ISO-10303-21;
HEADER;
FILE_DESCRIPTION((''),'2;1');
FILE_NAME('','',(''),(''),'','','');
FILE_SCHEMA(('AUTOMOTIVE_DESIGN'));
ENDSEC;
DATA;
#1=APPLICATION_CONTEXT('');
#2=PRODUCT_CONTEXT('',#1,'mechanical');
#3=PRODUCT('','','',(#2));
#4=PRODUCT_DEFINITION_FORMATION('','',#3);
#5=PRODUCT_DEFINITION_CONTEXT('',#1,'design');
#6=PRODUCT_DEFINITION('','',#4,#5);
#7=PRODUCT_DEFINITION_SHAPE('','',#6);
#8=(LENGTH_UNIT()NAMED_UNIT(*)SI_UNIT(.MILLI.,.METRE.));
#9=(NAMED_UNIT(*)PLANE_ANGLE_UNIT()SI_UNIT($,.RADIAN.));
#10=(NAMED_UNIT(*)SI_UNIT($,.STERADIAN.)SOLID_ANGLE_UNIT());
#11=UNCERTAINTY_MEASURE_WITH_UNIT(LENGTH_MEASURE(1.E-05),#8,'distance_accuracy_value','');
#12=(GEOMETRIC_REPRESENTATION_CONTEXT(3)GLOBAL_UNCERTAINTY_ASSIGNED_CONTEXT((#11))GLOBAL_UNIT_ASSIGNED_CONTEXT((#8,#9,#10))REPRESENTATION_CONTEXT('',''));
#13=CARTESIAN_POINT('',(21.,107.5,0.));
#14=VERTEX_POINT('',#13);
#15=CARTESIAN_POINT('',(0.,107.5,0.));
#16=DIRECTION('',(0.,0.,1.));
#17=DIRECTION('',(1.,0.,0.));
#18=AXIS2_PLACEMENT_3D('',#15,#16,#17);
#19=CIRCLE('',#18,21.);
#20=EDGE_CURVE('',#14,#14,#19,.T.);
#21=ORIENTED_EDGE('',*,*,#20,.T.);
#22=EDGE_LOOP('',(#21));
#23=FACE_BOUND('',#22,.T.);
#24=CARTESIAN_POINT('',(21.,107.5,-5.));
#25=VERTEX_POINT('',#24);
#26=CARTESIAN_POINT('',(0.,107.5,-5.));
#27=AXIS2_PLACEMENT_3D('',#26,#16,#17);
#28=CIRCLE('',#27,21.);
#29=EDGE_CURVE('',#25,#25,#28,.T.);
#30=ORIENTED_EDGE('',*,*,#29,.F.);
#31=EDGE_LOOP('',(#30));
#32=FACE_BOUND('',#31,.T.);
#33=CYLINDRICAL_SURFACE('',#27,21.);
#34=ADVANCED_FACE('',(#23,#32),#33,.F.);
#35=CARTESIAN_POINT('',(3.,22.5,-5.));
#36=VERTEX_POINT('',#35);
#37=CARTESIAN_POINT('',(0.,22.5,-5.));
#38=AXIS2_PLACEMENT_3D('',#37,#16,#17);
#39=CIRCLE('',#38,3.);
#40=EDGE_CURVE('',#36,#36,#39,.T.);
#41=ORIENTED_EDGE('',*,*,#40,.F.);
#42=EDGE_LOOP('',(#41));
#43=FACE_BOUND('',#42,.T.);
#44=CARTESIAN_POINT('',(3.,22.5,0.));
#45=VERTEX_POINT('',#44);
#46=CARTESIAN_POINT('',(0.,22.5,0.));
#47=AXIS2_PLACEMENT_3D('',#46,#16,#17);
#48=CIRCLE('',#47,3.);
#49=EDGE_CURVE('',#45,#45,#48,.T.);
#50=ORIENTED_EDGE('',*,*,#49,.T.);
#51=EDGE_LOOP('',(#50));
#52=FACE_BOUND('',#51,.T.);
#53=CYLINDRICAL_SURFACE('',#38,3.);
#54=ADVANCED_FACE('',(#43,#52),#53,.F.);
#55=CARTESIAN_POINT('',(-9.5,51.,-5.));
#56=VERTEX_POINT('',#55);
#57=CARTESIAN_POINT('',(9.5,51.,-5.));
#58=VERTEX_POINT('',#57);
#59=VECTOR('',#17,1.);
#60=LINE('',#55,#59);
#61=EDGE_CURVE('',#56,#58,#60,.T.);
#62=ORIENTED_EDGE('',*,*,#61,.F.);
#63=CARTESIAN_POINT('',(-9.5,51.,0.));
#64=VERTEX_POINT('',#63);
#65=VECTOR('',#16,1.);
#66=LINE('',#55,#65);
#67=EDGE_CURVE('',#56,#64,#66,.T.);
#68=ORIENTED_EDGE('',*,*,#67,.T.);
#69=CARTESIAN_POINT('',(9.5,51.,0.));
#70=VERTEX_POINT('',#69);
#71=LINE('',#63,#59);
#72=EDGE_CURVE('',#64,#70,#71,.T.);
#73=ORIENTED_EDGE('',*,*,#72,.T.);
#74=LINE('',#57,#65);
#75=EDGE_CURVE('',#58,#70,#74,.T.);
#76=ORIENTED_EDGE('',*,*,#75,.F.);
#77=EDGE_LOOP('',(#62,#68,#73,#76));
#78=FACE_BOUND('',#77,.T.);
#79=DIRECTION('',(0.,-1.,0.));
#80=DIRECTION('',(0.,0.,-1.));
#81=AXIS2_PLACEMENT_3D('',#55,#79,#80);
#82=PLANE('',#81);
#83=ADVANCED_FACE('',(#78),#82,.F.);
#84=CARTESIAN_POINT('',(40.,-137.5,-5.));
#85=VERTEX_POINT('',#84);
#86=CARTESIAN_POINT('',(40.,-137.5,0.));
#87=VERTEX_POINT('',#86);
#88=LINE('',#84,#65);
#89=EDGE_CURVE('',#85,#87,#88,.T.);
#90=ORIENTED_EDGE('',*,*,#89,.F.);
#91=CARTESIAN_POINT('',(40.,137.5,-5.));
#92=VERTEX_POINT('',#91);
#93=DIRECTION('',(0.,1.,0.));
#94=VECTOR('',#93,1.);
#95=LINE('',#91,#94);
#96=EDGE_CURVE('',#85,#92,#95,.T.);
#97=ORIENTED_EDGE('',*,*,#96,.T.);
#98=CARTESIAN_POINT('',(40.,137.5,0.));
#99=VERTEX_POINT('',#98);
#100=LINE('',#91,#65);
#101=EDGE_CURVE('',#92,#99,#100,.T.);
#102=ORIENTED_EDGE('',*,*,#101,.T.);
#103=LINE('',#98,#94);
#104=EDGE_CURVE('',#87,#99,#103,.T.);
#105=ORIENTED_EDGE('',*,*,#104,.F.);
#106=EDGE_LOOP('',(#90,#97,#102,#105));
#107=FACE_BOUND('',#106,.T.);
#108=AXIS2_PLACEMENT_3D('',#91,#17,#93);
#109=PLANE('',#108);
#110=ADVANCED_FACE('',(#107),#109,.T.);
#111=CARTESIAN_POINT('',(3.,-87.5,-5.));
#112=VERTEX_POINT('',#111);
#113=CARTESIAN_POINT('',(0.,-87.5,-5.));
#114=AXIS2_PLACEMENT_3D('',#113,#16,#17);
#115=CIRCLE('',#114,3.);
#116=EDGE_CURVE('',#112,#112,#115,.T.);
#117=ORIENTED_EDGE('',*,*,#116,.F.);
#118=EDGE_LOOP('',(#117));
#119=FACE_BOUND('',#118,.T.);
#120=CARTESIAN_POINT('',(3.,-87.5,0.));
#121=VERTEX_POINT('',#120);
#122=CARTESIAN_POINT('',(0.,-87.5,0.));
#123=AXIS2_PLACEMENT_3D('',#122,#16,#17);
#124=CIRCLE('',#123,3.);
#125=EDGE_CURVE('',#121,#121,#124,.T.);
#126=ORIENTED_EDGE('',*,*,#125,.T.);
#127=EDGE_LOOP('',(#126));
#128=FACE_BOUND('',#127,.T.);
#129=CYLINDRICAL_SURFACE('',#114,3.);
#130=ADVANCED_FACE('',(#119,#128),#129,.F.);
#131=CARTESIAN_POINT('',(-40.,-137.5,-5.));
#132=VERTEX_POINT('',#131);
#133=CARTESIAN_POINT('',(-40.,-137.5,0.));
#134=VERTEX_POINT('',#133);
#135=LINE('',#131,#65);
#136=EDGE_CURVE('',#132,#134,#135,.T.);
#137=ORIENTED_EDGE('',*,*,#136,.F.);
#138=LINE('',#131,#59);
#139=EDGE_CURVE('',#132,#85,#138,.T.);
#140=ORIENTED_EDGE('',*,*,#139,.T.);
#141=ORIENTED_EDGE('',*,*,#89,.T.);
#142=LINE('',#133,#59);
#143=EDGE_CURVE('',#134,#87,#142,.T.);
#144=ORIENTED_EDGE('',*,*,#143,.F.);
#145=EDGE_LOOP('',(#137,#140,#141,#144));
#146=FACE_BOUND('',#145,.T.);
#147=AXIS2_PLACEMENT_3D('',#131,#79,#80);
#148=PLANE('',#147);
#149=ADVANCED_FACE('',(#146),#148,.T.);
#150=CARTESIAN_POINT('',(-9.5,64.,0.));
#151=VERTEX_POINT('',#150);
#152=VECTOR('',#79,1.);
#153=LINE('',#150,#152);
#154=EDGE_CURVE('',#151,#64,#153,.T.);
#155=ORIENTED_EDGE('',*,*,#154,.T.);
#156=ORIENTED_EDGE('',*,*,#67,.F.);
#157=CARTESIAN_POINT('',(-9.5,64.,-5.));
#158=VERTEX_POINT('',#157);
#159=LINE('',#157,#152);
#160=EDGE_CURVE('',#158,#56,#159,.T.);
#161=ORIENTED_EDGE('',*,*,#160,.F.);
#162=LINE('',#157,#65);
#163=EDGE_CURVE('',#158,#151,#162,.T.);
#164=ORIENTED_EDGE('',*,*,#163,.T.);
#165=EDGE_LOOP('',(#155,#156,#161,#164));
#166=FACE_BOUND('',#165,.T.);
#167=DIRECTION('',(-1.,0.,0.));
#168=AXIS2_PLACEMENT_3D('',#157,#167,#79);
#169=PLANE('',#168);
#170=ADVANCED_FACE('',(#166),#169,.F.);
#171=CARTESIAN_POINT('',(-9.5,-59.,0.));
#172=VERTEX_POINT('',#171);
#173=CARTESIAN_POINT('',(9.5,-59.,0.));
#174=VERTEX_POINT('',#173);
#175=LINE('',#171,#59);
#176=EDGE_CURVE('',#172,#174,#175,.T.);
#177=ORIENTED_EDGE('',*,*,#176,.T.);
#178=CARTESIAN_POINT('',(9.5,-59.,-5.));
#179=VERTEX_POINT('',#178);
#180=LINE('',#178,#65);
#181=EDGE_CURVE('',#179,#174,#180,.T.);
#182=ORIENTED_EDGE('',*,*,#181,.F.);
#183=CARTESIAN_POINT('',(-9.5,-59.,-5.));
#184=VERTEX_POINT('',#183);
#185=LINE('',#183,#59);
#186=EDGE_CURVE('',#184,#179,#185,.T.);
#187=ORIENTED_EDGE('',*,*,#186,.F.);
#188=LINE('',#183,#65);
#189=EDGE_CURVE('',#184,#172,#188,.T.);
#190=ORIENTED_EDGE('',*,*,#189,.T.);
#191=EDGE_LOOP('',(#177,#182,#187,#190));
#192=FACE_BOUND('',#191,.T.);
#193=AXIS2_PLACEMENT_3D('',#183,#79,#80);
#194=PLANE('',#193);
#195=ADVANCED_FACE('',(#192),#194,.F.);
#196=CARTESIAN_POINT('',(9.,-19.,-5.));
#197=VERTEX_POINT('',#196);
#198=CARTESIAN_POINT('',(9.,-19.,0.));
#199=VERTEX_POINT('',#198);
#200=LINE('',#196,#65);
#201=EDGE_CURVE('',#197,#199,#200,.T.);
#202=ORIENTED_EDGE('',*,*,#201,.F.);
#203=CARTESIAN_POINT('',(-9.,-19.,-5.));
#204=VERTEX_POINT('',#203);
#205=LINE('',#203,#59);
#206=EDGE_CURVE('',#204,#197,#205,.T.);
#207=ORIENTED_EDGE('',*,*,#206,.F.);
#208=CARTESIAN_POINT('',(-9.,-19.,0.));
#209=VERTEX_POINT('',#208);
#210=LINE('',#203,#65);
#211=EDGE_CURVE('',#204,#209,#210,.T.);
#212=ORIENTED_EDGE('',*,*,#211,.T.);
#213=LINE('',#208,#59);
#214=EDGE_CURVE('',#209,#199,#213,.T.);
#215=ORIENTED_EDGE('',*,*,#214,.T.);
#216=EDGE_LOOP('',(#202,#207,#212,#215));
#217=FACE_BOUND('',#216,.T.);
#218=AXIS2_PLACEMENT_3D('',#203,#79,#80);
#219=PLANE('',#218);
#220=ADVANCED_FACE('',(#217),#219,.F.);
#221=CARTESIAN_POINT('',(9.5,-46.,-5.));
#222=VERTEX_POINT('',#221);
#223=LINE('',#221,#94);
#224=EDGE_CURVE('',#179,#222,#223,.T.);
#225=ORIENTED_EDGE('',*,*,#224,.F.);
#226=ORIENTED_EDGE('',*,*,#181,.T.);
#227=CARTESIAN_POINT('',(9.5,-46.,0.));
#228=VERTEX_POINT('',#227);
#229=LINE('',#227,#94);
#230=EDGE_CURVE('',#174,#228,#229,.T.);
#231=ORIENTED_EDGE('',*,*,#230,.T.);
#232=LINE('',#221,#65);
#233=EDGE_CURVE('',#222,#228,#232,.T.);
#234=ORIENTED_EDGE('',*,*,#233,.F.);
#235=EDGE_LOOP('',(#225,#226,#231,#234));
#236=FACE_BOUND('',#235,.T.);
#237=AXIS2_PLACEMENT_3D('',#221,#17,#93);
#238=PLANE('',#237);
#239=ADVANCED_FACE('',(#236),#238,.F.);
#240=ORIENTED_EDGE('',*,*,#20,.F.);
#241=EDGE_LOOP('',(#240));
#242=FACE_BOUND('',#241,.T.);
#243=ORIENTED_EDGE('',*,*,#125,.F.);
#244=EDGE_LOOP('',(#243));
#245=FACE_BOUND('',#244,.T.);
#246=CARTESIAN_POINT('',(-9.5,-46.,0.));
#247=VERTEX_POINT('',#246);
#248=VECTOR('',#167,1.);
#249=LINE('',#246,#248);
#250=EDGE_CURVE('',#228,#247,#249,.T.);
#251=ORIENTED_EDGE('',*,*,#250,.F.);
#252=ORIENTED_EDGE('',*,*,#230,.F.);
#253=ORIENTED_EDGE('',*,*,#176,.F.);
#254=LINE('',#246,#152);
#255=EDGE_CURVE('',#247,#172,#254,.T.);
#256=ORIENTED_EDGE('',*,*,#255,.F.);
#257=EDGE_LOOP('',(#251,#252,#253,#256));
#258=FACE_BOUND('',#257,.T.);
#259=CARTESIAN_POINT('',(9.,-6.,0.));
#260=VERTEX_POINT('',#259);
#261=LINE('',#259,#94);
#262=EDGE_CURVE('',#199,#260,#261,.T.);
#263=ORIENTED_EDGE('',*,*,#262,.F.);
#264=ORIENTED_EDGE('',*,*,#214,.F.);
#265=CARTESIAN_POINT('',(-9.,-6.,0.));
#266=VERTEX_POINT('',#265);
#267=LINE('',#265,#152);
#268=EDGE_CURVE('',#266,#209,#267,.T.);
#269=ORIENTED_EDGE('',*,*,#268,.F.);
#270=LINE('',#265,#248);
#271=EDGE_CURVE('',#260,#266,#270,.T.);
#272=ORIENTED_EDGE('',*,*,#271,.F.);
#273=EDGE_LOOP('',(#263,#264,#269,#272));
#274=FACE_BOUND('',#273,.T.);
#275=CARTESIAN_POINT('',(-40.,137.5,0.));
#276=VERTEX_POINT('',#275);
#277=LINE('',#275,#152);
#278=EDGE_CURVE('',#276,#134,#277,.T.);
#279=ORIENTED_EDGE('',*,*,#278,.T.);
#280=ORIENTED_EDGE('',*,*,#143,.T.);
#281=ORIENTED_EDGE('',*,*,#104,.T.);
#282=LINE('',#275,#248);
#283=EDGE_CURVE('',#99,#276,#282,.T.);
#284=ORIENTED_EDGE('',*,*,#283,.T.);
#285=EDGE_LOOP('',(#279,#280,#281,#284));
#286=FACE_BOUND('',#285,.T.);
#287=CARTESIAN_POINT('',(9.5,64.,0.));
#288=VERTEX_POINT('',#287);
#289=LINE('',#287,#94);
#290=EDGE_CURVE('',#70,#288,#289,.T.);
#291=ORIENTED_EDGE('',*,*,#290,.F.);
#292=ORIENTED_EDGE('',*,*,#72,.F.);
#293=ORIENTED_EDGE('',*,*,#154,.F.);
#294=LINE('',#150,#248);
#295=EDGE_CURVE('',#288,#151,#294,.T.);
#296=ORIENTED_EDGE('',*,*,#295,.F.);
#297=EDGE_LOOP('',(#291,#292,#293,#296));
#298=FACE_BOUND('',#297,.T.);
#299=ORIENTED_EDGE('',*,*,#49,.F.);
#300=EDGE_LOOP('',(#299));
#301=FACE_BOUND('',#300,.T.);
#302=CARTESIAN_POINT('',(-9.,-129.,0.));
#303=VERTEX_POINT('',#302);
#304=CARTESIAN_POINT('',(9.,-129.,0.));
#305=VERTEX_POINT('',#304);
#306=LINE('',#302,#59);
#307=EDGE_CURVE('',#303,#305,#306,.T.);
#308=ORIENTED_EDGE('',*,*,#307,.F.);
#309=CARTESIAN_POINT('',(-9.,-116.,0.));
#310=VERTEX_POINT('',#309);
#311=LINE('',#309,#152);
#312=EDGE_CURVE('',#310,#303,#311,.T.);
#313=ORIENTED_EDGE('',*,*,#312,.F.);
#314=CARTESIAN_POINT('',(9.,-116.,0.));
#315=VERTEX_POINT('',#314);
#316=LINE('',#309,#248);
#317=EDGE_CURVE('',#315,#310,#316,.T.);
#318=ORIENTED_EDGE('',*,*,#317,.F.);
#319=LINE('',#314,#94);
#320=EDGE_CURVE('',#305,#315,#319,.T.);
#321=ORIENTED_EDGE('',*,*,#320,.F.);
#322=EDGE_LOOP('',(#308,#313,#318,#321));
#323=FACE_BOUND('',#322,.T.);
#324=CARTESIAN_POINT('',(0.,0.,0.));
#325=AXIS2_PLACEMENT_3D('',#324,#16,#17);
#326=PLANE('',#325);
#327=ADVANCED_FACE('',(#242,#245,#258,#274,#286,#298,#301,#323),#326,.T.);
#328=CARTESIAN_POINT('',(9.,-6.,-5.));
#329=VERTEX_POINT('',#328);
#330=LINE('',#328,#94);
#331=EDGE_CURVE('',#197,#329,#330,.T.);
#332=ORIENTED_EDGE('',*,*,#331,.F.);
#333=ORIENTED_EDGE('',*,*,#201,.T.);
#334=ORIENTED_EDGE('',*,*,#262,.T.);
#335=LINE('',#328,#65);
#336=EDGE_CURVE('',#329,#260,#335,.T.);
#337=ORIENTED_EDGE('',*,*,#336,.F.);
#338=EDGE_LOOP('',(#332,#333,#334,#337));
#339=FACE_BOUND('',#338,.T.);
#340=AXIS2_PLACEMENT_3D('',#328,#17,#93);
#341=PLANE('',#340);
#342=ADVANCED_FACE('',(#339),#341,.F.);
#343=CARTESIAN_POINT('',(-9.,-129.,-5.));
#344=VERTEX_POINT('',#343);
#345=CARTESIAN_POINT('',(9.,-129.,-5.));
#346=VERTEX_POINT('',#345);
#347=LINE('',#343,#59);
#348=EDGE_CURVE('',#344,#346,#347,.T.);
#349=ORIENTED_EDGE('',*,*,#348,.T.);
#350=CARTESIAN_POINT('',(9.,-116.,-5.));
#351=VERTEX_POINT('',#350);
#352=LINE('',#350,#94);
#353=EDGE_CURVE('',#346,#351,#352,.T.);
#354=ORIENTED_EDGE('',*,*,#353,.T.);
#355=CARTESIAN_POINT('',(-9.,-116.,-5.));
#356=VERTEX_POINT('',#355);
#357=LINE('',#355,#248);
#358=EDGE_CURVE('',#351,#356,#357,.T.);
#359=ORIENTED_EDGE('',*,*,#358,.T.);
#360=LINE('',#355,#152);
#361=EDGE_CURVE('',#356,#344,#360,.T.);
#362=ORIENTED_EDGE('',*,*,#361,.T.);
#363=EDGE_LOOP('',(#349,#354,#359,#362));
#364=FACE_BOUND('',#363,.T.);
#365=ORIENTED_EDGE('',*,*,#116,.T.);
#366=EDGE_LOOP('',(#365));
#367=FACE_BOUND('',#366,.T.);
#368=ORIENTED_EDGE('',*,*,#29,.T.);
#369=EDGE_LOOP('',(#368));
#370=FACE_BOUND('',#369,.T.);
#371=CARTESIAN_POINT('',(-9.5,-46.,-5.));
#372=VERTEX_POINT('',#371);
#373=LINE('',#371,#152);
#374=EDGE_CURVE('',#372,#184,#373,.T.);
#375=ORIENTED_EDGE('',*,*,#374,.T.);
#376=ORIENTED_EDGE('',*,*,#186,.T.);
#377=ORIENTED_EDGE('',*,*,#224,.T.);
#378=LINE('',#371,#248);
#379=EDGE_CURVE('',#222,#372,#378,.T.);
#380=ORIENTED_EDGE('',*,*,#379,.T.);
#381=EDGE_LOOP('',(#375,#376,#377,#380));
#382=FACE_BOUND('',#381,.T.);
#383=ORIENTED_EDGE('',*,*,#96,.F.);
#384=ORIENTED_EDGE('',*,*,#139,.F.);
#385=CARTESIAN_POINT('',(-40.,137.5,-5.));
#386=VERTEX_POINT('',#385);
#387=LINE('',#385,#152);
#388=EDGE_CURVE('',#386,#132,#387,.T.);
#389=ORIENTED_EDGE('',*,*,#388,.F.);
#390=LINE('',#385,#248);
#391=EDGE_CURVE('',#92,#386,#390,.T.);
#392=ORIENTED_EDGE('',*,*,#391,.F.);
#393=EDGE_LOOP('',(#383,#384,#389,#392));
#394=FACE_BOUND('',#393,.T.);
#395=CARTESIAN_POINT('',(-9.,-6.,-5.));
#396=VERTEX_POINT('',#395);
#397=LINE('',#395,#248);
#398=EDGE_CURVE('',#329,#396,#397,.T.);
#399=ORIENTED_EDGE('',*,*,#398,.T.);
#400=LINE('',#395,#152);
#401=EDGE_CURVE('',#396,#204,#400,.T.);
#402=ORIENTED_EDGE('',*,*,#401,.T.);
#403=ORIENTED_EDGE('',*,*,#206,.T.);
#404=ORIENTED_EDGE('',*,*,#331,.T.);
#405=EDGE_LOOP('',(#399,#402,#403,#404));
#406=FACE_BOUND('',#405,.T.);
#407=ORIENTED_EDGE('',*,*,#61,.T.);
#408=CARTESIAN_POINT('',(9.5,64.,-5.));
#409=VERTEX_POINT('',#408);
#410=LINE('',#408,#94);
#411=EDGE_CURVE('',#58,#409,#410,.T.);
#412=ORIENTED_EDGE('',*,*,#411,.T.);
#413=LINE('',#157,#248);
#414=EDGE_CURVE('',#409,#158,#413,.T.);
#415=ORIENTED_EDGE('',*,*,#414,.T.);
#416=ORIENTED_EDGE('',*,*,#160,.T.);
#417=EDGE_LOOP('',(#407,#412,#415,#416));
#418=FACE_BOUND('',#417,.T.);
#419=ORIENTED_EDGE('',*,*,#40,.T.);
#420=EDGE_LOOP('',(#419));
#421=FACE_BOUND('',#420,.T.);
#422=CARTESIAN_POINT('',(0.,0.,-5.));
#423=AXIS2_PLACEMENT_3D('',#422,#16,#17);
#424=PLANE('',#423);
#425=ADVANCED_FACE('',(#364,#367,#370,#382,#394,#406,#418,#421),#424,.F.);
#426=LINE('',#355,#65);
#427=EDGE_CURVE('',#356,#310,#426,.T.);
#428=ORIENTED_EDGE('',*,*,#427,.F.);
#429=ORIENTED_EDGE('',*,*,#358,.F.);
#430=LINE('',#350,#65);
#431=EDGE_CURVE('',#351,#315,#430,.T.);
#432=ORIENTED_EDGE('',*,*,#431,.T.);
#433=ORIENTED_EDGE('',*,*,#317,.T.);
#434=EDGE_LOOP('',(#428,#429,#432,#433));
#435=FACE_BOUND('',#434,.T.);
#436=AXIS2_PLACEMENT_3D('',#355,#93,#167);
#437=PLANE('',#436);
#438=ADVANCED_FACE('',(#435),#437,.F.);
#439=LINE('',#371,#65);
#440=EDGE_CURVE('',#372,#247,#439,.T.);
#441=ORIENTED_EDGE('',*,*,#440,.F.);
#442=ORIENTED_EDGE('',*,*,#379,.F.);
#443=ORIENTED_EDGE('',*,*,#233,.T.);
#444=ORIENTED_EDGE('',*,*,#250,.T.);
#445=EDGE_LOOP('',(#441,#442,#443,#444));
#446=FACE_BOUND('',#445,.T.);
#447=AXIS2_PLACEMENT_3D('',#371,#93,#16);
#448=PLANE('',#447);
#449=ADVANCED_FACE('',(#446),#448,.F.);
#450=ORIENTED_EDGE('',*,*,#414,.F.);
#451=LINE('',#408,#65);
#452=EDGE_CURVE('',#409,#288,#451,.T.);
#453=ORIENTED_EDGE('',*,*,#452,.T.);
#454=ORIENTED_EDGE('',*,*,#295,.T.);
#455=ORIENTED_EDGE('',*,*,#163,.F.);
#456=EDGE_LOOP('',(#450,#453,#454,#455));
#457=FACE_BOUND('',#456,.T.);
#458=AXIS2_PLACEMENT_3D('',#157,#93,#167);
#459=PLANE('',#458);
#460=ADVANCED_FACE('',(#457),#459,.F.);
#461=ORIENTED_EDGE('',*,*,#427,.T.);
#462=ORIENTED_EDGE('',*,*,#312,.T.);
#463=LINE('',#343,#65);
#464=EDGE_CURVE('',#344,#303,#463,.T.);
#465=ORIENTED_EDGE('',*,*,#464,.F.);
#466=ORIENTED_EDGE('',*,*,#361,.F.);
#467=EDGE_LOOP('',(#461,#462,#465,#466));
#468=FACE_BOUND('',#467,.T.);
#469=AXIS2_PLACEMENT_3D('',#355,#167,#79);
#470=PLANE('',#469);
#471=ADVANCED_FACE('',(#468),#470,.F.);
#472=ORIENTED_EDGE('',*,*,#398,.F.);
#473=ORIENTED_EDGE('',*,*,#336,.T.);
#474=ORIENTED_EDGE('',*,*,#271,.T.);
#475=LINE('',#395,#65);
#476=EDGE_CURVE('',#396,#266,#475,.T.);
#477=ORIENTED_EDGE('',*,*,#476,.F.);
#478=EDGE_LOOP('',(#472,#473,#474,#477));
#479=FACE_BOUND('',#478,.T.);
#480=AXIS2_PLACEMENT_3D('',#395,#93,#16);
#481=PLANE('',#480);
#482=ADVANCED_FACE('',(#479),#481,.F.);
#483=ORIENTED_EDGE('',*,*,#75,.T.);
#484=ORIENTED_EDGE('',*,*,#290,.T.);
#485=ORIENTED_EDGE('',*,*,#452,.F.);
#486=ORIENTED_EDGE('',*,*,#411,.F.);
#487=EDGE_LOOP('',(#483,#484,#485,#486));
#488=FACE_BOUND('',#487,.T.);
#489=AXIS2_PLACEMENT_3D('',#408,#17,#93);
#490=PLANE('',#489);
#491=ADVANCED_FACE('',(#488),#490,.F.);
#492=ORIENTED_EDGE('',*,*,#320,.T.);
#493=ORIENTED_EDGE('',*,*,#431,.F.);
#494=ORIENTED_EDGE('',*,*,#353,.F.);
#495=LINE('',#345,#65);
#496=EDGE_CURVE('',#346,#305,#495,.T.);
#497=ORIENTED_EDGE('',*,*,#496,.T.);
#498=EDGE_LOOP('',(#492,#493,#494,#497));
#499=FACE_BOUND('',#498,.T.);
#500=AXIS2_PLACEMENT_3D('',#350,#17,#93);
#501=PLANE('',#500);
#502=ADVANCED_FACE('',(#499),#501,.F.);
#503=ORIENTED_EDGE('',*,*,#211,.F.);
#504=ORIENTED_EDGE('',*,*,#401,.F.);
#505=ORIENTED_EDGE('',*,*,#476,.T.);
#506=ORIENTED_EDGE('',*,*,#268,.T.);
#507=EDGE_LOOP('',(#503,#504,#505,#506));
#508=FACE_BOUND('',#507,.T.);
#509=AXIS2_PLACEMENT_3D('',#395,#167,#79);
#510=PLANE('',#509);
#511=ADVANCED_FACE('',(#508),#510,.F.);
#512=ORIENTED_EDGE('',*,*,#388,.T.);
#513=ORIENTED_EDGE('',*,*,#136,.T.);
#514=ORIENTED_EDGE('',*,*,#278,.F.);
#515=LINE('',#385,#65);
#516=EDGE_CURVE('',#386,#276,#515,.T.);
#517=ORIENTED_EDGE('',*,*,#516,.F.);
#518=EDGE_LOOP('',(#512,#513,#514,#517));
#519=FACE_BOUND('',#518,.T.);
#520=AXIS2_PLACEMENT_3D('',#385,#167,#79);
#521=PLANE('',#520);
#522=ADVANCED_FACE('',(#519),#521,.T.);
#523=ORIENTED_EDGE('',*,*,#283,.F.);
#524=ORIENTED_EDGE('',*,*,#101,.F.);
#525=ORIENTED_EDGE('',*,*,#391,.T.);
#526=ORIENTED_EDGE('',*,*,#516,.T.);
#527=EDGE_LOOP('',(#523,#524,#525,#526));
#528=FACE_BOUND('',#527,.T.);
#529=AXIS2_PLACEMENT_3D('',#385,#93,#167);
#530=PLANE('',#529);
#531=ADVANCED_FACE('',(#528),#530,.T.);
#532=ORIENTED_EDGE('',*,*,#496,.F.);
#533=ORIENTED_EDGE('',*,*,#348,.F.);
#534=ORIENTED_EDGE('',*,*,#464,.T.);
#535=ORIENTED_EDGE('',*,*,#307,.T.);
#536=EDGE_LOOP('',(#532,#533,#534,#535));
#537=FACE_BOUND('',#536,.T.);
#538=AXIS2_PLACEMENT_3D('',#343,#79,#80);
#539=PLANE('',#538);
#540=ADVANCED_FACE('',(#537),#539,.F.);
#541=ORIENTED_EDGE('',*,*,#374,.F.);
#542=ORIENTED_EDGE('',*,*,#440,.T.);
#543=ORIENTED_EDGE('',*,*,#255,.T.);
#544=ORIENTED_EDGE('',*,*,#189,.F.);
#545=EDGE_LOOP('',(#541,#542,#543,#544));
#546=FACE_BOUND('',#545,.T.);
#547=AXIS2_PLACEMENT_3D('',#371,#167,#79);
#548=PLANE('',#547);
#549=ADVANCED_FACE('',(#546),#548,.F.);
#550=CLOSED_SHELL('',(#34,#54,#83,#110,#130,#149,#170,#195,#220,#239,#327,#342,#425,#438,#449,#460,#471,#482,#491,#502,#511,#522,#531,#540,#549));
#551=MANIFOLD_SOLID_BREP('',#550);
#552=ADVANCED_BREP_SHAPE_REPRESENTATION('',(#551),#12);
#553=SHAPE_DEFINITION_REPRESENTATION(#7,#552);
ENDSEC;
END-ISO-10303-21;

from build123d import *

# Parameters (mm, degrees)
ESQUISSE1_W             = 80
ESQUISSE1_H             = 275
BOSS_EXTRU_1_DEPTH      = 5
ESQUISSE2_R             = 21
ESQUISSE2_R_2           = 3
ESQUISSE2_W             = 18
ESQUISSE2_H             = 13
ESQUISSE2_W_2           = 19
ENL_V_MAT_EXTRU_1_DEPTH = 6


with BuildPart() as part:
    # Esquisse1 → Boss.-Extru.1 (new body)
    with BuildSketch(Plane.XY):
        Rectangle(ESQUISSE1_W, ESQUISSE1_H)
    extrude(amount=-BOSS_EXTRU_1_DEPTH)

    # Esquisse2 → Enlèv. mat.-Extru.1 (cut, through all)
    with BuildSketch(Plane.XY):
        with Locations((0, 107.5)):
            Circle(ESQUISSE2_R)
        with Locations((0, 22.5)):
            Circle(ESQUISSE2_R_2)
        with Locations((0, -87.5)):
            Circle(ESQUISSE2_R_2)
        with Locations((0, -122.5)):
            Rectangle(ESQUISSE2_W, ESQUISSE2_H)
        with Locations((0, 57.5)):
            Rectangle(ESQUISSE2_W_2, ESQUISSE2_H)
        with Locations((0, -12.5)):
            Rectangle(ESQUISSE2_W, ESQUISSE2_H)
        with Locations((0, -52.5)):
            Rectangle(ESQUISSE2_W_2, ESQUISSE2_H)
    extrude(amount=-ENL_V_MAT_EXTRU_1_DEPTH, mode=Mode.SUBTRACT)


solid = part.part
